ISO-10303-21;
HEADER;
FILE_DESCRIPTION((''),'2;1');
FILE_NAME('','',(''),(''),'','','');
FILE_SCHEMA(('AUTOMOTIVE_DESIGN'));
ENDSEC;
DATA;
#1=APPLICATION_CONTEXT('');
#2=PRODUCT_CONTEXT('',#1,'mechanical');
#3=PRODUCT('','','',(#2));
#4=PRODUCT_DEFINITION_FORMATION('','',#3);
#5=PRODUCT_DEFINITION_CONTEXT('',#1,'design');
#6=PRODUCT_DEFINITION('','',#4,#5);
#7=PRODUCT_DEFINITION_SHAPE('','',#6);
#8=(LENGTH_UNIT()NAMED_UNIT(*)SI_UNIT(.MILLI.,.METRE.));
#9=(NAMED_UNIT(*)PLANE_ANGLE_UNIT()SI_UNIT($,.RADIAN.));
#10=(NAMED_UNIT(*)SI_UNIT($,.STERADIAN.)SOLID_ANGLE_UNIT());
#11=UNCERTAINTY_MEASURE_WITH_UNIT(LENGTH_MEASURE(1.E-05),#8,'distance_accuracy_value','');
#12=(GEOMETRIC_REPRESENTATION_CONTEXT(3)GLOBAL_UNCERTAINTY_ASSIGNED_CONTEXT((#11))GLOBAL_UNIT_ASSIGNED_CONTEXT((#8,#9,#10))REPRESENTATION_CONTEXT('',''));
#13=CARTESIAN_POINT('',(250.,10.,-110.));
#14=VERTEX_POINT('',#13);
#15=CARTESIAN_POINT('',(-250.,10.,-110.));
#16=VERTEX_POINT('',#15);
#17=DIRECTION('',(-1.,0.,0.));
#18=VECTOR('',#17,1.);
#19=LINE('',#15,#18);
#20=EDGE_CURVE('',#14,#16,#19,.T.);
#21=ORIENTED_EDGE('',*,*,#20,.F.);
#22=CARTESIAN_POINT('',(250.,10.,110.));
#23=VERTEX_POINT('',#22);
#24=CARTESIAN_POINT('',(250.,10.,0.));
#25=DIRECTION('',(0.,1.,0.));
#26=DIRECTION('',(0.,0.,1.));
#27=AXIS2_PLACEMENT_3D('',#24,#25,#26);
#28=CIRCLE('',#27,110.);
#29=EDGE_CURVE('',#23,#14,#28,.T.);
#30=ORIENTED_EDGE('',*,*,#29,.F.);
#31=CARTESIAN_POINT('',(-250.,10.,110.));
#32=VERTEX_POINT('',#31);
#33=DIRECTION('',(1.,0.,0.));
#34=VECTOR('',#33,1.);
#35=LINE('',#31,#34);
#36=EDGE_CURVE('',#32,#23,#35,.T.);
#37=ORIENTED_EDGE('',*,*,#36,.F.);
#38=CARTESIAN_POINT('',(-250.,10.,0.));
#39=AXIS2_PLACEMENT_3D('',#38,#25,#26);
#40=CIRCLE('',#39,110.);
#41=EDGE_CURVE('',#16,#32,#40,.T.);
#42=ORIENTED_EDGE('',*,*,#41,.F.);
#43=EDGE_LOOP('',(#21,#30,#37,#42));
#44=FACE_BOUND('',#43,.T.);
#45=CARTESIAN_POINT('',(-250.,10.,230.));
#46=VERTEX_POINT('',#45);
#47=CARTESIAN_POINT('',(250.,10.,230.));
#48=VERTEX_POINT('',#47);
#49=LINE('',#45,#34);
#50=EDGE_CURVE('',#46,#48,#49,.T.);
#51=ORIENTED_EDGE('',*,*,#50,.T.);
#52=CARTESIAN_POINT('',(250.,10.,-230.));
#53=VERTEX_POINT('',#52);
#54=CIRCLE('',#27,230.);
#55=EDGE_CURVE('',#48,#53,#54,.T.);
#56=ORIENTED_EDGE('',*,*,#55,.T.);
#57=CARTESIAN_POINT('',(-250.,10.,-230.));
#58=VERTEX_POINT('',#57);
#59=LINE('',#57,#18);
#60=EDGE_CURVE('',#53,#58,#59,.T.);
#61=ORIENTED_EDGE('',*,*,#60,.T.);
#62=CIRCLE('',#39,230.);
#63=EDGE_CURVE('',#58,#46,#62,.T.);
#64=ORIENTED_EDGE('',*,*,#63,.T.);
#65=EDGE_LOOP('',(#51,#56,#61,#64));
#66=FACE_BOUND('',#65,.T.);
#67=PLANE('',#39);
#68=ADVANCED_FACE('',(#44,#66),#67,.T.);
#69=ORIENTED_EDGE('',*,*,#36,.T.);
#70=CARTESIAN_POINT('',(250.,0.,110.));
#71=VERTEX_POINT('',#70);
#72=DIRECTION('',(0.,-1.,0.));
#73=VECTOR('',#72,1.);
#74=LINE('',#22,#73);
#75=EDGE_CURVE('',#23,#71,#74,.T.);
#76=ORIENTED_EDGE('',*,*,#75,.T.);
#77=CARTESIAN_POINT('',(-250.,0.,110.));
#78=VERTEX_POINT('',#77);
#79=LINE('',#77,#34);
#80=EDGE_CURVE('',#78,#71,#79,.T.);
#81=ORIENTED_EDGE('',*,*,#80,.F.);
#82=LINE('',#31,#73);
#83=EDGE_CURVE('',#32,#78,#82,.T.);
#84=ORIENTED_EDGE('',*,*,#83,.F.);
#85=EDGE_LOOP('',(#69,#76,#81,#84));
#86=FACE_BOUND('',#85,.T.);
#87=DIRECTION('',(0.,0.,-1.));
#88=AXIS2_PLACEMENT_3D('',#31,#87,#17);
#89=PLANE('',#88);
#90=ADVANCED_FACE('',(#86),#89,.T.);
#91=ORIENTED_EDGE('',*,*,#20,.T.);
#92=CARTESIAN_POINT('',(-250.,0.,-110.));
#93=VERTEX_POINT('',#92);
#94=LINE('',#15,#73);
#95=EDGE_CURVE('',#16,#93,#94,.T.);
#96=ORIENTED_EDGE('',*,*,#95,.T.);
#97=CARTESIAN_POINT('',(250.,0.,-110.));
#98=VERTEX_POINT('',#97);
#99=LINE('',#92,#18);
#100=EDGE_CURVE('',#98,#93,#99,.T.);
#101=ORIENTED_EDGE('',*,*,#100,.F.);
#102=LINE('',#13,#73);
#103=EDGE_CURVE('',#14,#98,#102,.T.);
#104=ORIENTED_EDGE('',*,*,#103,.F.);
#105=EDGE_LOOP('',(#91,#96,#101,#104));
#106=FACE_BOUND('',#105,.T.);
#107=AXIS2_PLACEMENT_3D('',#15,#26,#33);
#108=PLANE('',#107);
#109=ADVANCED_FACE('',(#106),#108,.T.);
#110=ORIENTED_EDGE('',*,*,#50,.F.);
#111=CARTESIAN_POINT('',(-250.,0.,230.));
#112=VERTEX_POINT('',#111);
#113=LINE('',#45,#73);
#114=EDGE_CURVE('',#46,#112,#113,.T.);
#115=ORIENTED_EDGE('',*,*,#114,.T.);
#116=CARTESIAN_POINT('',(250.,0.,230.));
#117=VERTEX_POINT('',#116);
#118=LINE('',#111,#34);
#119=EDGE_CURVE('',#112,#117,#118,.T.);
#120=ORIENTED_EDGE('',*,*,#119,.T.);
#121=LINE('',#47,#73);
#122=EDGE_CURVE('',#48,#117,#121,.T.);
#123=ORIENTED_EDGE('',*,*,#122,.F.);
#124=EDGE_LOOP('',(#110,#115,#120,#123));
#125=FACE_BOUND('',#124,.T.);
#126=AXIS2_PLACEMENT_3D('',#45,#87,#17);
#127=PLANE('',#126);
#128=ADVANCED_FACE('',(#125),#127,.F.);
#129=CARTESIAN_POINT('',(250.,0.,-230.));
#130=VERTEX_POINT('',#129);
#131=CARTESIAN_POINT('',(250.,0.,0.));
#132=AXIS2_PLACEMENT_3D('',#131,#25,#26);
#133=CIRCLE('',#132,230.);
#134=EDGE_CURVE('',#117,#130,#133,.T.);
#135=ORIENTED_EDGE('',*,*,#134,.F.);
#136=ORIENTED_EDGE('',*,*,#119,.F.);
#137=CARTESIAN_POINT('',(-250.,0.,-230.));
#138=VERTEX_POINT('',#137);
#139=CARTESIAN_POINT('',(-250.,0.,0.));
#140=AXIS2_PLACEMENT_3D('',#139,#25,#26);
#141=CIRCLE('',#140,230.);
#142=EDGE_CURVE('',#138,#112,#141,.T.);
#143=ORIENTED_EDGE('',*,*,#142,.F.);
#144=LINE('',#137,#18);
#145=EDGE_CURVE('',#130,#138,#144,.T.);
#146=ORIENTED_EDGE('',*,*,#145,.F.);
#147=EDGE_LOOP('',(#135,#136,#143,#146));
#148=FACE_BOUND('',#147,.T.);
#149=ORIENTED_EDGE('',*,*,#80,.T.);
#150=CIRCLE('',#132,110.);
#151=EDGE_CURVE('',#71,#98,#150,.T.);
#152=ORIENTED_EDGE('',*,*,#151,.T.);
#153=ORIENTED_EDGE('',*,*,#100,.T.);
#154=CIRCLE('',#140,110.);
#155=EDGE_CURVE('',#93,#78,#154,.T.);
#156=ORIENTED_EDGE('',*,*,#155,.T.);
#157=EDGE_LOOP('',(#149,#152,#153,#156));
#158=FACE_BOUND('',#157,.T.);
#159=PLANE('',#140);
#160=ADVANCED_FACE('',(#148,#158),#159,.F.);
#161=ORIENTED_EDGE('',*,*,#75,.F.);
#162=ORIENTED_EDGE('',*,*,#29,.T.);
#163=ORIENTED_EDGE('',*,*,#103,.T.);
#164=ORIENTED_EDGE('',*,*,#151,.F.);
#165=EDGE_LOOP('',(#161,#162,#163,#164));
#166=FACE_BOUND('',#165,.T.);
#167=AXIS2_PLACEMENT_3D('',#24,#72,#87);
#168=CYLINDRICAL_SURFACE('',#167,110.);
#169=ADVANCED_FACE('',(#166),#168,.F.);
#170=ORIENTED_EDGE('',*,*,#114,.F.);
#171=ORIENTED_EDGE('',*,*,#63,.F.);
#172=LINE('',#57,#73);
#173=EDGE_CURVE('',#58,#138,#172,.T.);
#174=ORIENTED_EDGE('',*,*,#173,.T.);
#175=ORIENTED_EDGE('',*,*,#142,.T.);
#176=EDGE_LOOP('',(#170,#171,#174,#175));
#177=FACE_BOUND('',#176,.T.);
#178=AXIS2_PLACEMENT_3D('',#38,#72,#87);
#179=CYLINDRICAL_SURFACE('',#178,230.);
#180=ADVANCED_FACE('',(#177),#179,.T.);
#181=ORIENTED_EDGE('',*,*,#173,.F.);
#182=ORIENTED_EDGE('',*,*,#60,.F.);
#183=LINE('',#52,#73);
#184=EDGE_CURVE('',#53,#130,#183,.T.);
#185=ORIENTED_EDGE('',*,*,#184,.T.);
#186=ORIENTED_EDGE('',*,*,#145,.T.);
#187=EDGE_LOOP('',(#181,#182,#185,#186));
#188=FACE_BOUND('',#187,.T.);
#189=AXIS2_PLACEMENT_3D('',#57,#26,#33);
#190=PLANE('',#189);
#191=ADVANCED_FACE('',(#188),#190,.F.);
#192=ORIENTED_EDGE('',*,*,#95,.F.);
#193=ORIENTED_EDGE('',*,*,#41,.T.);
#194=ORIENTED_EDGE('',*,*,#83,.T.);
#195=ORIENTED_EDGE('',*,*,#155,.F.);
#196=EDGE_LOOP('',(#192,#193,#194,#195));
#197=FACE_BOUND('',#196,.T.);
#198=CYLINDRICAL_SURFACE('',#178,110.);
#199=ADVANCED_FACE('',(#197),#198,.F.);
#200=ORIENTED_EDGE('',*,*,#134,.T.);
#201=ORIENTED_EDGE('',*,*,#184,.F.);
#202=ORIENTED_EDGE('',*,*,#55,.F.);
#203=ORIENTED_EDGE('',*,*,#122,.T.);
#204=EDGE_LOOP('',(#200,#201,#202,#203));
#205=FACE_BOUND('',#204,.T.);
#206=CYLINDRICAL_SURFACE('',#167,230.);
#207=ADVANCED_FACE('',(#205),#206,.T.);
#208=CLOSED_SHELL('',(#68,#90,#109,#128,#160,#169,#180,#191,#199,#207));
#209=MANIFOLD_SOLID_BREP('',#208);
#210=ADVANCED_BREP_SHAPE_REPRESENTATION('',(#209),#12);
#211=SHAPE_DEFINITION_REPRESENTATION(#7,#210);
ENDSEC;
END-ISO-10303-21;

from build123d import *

# Parameters (mm, degrees)
EXTRUDE_1_DEPTH = 10


with BuildPart() as part:
    # 草图1 → 凸台-拉伸1 (new body)
    with BuildSketch(Plane(origin=(0, 0, 0), x_dir=(1, 0, 0), z_dir=(0, 1, 0))):
        with BuildLine():
            Line((-250, 230), (250, 230))
            ThreePointArc((250, 230), (480, 0), (250, -230))
            Line((250, -230), (-250, -230))
            ThreePointArc((-250, -230), (-480, 0), (-250, 230))
        make_face()
        with BuildLine():
            Line((-250, 110), (250, 110))
            ThreePointArc((250, 110), (360, 0), (250, -110))
            Line((250, -110), (-250, -110))
            ThreePointArc((-250, -110), (-360, 0), (-250, 110))
        make_face(mode=Mode.SUBTRACT)
    extrude(amount=EXTRUDE_1_DEPTH)


solid = part.part
